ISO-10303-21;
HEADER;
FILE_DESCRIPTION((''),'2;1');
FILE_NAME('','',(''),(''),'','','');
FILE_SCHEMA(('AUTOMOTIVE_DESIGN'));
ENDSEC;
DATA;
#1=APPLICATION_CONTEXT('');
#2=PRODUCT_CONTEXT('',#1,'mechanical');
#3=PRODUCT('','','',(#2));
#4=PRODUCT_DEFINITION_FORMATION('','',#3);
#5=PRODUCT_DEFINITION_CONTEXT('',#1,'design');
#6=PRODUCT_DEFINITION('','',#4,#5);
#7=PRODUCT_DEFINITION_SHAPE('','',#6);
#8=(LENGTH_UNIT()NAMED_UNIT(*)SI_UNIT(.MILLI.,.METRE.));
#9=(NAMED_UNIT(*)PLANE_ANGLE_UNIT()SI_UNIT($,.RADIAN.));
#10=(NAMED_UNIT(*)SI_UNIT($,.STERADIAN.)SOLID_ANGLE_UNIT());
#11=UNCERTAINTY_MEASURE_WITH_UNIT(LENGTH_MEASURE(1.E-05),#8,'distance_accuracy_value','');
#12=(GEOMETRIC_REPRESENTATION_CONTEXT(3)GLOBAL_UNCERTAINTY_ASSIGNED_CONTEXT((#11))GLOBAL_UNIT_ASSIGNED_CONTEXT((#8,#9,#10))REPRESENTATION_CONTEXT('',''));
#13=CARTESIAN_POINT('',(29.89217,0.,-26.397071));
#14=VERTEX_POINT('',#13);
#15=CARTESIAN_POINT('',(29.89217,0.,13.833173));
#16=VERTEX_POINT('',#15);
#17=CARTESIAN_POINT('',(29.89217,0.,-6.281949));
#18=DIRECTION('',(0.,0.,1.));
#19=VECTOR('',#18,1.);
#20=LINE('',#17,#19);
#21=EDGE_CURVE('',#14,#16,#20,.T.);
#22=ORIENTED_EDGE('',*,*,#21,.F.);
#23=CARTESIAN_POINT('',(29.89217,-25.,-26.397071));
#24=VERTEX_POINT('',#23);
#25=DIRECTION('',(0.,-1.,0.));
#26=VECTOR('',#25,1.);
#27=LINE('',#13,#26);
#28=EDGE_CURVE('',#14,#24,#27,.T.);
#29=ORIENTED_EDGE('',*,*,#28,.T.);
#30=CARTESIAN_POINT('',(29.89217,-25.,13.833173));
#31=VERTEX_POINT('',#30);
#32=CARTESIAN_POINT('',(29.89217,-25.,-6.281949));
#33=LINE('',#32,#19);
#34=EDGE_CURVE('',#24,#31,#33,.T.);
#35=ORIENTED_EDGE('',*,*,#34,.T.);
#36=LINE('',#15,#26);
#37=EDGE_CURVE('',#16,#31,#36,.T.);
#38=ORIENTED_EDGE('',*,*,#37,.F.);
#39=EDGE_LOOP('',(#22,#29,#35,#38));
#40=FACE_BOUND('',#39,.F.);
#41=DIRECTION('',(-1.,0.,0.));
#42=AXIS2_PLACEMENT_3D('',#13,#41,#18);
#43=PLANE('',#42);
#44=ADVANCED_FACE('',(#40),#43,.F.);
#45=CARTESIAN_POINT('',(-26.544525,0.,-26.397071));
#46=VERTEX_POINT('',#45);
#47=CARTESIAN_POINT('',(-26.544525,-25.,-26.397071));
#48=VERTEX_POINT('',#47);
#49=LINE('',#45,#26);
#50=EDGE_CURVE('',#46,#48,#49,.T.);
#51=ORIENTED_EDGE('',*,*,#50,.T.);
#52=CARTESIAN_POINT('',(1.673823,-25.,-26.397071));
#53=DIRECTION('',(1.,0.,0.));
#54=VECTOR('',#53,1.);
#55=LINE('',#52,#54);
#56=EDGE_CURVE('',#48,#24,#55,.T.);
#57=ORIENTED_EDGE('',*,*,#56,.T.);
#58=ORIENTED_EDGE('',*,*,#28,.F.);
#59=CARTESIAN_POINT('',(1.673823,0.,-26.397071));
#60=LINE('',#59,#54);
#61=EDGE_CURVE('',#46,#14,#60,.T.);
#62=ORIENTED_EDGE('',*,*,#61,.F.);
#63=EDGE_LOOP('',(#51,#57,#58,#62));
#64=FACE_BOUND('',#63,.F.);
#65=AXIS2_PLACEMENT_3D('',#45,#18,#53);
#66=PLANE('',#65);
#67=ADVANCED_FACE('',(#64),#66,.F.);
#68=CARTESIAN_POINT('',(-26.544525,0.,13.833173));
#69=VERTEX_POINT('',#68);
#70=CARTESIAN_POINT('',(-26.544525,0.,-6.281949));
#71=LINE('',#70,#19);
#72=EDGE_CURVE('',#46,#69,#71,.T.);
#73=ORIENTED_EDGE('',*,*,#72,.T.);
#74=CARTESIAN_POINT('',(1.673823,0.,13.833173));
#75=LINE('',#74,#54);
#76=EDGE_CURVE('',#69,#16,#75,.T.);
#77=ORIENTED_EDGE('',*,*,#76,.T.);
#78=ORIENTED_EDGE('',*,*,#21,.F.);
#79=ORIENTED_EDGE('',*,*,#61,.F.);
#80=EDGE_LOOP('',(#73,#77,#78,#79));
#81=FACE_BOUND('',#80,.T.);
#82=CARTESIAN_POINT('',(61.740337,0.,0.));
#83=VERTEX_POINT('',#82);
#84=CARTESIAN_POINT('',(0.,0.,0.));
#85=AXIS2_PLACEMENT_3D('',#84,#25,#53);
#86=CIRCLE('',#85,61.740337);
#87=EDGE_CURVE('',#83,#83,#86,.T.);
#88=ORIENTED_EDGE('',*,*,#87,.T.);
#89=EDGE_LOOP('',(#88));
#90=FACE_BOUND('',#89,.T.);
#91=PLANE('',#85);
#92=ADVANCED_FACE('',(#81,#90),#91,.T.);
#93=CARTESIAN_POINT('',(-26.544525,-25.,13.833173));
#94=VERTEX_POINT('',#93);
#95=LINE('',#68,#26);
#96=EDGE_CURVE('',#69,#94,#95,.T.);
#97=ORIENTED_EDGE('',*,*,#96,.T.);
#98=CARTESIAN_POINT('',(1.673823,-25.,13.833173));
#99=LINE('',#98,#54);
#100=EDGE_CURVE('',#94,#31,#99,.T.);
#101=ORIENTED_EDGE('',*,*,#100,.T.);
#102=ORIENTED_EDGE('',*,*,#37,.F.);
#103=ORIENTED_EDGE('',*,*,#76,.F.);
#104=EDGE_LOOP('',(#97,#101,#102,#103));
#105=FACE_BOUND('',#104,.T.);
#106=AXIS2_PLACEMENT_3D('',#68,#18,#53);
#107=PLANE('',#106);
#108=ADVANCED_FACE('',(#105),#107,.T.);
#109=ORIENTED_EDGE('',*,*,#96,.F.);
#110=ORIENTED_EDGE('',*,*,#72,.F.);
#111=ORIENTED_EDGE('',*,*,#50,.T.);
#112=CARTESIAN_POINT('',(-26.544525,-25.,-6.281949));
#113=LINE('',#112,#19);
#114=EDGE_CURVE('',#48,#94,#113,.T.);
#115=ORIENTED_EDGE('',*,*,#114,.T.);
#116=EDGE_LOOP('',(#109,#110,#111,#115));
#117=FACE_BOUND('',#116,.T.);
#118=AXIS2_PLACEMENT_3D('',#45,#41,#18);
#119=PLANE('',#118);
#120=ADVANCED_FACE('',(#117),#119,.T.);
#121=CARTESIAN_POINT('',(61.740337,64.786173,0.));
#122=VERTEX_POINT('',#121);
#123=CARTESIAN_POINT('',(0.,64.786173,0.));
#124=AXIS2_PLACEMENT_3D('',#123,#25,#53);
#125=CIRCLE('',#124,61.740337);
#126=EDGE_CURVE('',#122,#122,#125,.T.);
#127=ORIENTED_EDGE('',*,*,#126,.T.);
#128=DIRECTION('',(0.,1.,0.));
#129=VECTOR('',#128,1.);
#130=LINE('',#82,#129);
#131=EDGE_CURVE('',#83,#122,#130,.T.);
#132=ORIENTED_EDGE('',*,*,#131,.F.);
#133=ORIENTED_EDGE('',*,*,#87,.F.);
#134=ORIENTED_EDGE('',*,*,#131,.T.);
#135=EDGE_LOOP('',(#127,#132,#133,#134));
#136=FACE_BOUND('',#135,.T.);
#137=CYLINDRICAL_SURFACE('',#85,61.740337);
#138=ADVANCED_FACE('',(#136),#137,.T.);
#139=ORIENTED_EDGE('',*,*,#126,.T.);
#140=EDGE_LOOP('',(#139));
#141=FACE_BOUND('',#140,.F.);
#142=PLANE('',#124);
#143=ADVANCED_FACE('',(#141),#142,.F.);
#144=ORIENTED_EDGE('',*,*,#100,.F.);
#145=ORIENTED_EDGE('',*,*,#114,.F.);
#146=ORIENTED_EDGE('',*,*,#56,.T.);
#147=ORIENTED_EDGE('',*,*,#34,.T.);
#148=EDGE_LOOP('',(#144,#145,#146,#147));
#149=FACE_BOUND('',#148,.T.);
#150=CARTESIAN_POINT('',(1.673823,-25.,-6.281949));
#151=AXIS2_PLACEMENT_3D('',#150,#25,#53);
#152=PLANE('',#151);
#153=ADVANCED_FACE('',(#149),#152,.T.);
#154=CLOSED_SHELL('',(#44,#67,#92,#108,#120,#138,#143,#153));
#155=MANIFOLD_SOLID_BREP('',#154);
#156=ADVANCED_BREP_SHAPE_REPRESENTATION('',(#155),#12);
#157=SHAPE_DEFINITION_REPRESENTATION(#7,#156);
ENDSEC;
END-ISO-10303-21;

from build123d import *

# Parameters (mm, degrees)
F0_W     = 56.436695
F0_H     = 40.230245
F1_DEPTH = 25
F2_R     = 61.740337
F3_DEPTH = 64.786173


with BuildPart() as f1:
    # F0 (on Front) → F1 (new body)
    with BuildSketch(Plane.XZ):
        with Locations((1.673823, -6.281949)):
            Rectangle(F0_W, F0_H)
    extrude(amount=F1_DEPTH)

    # F2 (on Front) → F3 (join)
    with BuildSketch(Plane.XZ):
        Circle(F2_R)
    extrude(amount=-F3_DEPTH)


solid = f1.part
